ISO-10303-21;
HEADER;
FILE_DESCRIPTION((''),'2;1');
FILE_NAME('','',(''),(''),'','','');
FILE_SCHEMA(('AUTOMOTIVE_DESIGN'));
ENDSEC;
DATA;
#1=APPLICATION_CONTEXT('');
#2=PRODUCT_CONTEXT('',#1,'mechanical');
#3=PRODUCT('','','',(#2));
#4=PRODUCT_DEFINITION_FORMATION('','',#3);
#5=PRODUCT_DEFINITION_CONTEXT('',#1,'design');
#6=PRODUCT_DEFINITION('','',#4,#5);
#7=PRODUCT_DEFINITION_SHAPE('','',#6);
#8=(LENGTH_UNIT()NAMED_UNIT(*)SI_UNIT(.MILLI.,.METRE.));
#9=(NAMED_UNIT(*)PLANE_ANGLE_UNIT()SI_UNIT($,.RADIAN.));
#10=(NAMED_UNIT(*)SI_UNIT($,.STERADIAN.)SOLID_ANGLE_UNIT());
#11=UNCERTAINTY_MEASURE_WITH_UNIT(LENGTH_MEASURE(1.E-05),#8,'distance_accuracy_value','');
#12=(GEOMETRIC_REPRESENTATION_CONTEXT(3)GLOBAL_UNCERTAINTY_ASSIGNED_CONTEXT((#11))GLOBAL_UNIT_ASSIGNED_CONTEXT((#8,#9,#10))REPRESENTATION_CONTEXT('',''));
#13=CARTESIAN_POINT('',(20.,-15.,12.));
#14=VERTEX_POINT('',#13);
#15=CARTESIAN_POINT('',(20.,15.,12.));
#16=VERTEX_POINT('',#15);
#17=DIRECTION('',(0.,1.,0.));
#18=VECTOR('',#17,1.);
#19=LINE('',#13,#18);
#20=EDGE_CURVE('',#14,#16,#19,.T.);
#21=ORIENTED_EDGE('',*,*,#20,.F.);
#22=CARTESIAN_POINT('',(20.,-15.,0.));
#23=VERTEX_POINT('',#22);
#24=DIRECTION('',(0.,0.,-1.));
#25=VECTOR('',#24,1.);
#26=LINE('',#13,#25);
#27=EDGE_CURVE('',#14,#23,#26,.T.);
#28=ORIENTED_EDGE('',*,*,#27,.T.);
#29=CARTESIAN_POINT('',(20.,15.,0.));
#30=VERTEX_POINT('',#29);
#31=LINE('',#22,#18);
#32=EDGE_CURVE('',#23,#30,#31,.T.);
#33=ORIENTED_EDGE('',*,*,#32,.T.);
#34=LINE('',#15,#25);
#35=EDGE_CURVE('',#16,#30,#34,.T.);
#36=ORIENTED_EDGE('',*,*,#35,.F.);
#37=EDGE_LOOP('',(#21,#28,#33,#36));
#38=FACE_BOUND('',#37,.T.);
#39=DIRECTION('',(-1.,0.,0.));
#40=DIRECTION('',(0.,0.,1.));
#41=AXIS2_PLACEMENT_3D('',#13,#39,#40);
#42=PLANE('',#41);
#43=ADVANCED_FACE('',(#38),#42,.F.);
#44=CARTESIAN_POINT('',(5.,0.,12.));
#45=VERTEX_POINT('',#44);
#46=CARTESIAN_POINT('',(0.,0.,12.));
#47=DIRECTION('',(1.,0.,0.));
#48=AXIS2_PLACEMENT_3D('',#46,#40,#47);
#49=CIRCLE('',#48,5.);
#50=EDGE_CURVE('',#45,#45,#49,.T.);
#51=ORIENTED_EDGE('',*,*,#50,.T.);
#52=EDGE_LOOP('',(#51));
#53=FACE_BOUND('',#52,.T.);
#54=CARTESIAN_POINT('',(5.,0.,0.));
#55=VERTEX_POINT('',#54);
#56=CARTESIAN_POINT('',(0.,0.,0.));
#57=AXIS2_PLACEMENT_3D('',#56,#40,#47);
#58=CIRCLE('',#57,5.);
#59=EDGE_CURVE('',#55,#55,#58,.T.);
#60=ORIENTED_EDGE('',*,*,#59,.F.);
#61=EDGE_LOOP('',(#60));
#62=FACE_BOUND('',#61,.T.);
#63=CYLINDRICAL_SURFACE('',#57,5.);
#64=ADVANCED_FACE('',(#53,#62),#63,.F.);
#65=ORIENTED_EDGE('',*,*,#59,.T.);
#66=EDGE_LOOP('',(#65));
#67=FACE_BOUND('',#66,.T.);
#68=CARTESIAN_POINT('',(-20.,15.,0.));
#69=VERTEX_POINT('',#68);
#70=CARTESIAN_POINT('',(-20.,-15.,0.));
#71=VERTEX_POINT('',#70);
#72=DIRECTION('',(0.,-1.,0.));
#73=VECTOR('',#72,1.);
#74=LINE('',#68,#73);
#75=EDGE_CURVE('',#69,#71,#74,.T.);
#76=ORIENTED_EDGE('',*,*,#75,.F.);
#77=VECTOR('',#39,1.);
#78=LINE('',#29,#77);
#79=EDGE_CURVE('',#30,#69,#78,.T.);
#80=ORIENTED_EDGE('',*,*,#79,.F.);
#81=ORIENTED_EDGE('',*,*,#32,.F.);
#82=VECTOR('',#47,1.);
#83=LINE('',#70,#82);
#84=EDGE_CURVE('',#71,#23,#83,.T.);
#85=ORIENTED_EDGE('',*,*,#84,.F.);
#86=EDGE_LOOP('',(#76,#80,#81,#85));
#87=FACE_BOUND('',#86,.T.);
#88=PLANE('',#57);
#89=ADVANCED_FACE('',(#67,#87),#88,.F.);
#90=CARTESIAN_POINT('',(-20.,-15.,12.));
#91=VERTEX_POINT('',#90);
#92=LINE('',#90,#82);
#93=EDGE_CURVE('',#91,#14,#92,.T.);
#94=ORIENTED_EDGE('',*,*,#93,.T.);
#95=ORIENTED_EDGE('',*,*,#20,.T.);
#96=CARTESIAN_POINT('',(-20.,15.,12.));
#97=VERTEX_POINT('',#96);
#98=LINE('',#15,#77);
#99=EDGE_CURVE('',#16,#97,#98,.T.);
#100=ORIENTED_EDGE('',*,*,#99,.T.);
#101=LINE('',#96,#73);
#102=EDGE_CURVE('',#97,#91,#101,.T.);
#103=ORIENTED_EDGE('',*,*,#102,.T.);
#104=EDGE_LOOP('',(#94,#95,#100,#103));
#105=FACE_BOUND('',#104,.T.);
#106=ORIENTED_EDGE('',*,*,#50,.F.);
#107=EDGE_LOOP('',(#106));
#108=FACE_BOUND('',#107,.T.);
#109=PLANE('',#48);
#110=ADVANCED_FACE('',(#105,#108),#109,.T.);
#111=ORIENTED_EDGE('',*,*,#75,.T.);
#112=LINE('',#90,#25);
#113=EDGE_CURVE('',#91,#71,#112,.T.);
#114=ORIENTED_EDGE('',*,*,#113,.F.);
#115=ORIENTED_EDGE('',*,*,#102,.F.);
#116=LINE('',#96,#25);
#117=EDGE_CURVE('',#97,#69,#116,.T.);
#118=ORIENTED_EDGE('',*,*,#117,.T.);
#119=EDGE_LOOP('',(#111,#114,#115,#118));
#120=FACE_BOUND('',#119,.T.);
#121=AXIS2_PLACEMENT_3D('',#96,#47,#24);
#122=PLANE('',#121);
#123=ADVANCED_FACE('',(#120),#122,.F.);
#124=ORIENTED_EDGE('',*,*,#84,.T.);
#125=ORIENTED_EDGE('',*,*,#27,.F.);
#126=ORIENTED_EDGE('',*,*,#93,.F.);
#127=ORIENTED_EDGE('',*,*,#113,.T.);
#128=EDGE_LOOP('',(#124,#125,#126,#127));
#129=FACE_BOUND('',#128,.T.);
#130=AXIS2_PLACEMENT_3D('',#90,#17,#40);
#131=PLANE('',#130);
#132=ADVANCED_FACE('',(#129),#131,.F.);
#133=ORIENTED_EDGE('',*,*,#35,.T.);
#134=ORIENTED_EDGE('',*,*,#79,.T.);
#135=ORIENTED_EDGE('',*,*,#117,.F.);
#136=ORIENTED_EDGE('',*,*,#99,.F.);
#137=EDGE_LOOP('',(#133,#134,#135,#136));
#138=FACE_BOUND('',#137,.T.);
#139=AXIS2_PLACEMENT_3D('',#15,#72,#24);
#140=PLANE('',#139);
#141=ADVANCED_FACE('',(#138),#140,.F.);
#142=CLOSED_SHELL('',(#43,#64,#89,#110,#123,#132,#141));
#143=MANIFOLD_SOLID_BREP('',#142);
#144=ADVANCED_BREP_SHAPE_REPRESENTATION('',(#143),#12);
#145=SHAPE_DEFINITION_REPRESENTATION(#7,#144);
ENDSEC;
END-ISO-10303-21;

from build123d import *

# Parameters (mm, degrees)
SKETCH_1_W          = 40
SKETCH_1_H          = 30
EXTRUDE_1_DEPTH     = 12
SKETCH_2_R          = 5
CUT_EXTRUDE_1_DEPTH = 28.730849248


with BuildPart() as part:
    # 草图1 → 凸台-拉伸1 (new body)
    with BuildSketch(Plane.XY):
        Rectangle(SKETCH_1_W, SKETCH_1_H)
    extrude(amount=EXTRUDE_1_DEPTH)

    # 草图2 → 切除-拉伸1 (cut, through all)
    with BuildSketch(Plane.XY.offset(12)):
        Circle(SKETCH_2_R)
    extrude(amount=-CUT_EXTRUDE_1_DEPTH, mode=Mode.SUBTRACT)


solid = part.part
